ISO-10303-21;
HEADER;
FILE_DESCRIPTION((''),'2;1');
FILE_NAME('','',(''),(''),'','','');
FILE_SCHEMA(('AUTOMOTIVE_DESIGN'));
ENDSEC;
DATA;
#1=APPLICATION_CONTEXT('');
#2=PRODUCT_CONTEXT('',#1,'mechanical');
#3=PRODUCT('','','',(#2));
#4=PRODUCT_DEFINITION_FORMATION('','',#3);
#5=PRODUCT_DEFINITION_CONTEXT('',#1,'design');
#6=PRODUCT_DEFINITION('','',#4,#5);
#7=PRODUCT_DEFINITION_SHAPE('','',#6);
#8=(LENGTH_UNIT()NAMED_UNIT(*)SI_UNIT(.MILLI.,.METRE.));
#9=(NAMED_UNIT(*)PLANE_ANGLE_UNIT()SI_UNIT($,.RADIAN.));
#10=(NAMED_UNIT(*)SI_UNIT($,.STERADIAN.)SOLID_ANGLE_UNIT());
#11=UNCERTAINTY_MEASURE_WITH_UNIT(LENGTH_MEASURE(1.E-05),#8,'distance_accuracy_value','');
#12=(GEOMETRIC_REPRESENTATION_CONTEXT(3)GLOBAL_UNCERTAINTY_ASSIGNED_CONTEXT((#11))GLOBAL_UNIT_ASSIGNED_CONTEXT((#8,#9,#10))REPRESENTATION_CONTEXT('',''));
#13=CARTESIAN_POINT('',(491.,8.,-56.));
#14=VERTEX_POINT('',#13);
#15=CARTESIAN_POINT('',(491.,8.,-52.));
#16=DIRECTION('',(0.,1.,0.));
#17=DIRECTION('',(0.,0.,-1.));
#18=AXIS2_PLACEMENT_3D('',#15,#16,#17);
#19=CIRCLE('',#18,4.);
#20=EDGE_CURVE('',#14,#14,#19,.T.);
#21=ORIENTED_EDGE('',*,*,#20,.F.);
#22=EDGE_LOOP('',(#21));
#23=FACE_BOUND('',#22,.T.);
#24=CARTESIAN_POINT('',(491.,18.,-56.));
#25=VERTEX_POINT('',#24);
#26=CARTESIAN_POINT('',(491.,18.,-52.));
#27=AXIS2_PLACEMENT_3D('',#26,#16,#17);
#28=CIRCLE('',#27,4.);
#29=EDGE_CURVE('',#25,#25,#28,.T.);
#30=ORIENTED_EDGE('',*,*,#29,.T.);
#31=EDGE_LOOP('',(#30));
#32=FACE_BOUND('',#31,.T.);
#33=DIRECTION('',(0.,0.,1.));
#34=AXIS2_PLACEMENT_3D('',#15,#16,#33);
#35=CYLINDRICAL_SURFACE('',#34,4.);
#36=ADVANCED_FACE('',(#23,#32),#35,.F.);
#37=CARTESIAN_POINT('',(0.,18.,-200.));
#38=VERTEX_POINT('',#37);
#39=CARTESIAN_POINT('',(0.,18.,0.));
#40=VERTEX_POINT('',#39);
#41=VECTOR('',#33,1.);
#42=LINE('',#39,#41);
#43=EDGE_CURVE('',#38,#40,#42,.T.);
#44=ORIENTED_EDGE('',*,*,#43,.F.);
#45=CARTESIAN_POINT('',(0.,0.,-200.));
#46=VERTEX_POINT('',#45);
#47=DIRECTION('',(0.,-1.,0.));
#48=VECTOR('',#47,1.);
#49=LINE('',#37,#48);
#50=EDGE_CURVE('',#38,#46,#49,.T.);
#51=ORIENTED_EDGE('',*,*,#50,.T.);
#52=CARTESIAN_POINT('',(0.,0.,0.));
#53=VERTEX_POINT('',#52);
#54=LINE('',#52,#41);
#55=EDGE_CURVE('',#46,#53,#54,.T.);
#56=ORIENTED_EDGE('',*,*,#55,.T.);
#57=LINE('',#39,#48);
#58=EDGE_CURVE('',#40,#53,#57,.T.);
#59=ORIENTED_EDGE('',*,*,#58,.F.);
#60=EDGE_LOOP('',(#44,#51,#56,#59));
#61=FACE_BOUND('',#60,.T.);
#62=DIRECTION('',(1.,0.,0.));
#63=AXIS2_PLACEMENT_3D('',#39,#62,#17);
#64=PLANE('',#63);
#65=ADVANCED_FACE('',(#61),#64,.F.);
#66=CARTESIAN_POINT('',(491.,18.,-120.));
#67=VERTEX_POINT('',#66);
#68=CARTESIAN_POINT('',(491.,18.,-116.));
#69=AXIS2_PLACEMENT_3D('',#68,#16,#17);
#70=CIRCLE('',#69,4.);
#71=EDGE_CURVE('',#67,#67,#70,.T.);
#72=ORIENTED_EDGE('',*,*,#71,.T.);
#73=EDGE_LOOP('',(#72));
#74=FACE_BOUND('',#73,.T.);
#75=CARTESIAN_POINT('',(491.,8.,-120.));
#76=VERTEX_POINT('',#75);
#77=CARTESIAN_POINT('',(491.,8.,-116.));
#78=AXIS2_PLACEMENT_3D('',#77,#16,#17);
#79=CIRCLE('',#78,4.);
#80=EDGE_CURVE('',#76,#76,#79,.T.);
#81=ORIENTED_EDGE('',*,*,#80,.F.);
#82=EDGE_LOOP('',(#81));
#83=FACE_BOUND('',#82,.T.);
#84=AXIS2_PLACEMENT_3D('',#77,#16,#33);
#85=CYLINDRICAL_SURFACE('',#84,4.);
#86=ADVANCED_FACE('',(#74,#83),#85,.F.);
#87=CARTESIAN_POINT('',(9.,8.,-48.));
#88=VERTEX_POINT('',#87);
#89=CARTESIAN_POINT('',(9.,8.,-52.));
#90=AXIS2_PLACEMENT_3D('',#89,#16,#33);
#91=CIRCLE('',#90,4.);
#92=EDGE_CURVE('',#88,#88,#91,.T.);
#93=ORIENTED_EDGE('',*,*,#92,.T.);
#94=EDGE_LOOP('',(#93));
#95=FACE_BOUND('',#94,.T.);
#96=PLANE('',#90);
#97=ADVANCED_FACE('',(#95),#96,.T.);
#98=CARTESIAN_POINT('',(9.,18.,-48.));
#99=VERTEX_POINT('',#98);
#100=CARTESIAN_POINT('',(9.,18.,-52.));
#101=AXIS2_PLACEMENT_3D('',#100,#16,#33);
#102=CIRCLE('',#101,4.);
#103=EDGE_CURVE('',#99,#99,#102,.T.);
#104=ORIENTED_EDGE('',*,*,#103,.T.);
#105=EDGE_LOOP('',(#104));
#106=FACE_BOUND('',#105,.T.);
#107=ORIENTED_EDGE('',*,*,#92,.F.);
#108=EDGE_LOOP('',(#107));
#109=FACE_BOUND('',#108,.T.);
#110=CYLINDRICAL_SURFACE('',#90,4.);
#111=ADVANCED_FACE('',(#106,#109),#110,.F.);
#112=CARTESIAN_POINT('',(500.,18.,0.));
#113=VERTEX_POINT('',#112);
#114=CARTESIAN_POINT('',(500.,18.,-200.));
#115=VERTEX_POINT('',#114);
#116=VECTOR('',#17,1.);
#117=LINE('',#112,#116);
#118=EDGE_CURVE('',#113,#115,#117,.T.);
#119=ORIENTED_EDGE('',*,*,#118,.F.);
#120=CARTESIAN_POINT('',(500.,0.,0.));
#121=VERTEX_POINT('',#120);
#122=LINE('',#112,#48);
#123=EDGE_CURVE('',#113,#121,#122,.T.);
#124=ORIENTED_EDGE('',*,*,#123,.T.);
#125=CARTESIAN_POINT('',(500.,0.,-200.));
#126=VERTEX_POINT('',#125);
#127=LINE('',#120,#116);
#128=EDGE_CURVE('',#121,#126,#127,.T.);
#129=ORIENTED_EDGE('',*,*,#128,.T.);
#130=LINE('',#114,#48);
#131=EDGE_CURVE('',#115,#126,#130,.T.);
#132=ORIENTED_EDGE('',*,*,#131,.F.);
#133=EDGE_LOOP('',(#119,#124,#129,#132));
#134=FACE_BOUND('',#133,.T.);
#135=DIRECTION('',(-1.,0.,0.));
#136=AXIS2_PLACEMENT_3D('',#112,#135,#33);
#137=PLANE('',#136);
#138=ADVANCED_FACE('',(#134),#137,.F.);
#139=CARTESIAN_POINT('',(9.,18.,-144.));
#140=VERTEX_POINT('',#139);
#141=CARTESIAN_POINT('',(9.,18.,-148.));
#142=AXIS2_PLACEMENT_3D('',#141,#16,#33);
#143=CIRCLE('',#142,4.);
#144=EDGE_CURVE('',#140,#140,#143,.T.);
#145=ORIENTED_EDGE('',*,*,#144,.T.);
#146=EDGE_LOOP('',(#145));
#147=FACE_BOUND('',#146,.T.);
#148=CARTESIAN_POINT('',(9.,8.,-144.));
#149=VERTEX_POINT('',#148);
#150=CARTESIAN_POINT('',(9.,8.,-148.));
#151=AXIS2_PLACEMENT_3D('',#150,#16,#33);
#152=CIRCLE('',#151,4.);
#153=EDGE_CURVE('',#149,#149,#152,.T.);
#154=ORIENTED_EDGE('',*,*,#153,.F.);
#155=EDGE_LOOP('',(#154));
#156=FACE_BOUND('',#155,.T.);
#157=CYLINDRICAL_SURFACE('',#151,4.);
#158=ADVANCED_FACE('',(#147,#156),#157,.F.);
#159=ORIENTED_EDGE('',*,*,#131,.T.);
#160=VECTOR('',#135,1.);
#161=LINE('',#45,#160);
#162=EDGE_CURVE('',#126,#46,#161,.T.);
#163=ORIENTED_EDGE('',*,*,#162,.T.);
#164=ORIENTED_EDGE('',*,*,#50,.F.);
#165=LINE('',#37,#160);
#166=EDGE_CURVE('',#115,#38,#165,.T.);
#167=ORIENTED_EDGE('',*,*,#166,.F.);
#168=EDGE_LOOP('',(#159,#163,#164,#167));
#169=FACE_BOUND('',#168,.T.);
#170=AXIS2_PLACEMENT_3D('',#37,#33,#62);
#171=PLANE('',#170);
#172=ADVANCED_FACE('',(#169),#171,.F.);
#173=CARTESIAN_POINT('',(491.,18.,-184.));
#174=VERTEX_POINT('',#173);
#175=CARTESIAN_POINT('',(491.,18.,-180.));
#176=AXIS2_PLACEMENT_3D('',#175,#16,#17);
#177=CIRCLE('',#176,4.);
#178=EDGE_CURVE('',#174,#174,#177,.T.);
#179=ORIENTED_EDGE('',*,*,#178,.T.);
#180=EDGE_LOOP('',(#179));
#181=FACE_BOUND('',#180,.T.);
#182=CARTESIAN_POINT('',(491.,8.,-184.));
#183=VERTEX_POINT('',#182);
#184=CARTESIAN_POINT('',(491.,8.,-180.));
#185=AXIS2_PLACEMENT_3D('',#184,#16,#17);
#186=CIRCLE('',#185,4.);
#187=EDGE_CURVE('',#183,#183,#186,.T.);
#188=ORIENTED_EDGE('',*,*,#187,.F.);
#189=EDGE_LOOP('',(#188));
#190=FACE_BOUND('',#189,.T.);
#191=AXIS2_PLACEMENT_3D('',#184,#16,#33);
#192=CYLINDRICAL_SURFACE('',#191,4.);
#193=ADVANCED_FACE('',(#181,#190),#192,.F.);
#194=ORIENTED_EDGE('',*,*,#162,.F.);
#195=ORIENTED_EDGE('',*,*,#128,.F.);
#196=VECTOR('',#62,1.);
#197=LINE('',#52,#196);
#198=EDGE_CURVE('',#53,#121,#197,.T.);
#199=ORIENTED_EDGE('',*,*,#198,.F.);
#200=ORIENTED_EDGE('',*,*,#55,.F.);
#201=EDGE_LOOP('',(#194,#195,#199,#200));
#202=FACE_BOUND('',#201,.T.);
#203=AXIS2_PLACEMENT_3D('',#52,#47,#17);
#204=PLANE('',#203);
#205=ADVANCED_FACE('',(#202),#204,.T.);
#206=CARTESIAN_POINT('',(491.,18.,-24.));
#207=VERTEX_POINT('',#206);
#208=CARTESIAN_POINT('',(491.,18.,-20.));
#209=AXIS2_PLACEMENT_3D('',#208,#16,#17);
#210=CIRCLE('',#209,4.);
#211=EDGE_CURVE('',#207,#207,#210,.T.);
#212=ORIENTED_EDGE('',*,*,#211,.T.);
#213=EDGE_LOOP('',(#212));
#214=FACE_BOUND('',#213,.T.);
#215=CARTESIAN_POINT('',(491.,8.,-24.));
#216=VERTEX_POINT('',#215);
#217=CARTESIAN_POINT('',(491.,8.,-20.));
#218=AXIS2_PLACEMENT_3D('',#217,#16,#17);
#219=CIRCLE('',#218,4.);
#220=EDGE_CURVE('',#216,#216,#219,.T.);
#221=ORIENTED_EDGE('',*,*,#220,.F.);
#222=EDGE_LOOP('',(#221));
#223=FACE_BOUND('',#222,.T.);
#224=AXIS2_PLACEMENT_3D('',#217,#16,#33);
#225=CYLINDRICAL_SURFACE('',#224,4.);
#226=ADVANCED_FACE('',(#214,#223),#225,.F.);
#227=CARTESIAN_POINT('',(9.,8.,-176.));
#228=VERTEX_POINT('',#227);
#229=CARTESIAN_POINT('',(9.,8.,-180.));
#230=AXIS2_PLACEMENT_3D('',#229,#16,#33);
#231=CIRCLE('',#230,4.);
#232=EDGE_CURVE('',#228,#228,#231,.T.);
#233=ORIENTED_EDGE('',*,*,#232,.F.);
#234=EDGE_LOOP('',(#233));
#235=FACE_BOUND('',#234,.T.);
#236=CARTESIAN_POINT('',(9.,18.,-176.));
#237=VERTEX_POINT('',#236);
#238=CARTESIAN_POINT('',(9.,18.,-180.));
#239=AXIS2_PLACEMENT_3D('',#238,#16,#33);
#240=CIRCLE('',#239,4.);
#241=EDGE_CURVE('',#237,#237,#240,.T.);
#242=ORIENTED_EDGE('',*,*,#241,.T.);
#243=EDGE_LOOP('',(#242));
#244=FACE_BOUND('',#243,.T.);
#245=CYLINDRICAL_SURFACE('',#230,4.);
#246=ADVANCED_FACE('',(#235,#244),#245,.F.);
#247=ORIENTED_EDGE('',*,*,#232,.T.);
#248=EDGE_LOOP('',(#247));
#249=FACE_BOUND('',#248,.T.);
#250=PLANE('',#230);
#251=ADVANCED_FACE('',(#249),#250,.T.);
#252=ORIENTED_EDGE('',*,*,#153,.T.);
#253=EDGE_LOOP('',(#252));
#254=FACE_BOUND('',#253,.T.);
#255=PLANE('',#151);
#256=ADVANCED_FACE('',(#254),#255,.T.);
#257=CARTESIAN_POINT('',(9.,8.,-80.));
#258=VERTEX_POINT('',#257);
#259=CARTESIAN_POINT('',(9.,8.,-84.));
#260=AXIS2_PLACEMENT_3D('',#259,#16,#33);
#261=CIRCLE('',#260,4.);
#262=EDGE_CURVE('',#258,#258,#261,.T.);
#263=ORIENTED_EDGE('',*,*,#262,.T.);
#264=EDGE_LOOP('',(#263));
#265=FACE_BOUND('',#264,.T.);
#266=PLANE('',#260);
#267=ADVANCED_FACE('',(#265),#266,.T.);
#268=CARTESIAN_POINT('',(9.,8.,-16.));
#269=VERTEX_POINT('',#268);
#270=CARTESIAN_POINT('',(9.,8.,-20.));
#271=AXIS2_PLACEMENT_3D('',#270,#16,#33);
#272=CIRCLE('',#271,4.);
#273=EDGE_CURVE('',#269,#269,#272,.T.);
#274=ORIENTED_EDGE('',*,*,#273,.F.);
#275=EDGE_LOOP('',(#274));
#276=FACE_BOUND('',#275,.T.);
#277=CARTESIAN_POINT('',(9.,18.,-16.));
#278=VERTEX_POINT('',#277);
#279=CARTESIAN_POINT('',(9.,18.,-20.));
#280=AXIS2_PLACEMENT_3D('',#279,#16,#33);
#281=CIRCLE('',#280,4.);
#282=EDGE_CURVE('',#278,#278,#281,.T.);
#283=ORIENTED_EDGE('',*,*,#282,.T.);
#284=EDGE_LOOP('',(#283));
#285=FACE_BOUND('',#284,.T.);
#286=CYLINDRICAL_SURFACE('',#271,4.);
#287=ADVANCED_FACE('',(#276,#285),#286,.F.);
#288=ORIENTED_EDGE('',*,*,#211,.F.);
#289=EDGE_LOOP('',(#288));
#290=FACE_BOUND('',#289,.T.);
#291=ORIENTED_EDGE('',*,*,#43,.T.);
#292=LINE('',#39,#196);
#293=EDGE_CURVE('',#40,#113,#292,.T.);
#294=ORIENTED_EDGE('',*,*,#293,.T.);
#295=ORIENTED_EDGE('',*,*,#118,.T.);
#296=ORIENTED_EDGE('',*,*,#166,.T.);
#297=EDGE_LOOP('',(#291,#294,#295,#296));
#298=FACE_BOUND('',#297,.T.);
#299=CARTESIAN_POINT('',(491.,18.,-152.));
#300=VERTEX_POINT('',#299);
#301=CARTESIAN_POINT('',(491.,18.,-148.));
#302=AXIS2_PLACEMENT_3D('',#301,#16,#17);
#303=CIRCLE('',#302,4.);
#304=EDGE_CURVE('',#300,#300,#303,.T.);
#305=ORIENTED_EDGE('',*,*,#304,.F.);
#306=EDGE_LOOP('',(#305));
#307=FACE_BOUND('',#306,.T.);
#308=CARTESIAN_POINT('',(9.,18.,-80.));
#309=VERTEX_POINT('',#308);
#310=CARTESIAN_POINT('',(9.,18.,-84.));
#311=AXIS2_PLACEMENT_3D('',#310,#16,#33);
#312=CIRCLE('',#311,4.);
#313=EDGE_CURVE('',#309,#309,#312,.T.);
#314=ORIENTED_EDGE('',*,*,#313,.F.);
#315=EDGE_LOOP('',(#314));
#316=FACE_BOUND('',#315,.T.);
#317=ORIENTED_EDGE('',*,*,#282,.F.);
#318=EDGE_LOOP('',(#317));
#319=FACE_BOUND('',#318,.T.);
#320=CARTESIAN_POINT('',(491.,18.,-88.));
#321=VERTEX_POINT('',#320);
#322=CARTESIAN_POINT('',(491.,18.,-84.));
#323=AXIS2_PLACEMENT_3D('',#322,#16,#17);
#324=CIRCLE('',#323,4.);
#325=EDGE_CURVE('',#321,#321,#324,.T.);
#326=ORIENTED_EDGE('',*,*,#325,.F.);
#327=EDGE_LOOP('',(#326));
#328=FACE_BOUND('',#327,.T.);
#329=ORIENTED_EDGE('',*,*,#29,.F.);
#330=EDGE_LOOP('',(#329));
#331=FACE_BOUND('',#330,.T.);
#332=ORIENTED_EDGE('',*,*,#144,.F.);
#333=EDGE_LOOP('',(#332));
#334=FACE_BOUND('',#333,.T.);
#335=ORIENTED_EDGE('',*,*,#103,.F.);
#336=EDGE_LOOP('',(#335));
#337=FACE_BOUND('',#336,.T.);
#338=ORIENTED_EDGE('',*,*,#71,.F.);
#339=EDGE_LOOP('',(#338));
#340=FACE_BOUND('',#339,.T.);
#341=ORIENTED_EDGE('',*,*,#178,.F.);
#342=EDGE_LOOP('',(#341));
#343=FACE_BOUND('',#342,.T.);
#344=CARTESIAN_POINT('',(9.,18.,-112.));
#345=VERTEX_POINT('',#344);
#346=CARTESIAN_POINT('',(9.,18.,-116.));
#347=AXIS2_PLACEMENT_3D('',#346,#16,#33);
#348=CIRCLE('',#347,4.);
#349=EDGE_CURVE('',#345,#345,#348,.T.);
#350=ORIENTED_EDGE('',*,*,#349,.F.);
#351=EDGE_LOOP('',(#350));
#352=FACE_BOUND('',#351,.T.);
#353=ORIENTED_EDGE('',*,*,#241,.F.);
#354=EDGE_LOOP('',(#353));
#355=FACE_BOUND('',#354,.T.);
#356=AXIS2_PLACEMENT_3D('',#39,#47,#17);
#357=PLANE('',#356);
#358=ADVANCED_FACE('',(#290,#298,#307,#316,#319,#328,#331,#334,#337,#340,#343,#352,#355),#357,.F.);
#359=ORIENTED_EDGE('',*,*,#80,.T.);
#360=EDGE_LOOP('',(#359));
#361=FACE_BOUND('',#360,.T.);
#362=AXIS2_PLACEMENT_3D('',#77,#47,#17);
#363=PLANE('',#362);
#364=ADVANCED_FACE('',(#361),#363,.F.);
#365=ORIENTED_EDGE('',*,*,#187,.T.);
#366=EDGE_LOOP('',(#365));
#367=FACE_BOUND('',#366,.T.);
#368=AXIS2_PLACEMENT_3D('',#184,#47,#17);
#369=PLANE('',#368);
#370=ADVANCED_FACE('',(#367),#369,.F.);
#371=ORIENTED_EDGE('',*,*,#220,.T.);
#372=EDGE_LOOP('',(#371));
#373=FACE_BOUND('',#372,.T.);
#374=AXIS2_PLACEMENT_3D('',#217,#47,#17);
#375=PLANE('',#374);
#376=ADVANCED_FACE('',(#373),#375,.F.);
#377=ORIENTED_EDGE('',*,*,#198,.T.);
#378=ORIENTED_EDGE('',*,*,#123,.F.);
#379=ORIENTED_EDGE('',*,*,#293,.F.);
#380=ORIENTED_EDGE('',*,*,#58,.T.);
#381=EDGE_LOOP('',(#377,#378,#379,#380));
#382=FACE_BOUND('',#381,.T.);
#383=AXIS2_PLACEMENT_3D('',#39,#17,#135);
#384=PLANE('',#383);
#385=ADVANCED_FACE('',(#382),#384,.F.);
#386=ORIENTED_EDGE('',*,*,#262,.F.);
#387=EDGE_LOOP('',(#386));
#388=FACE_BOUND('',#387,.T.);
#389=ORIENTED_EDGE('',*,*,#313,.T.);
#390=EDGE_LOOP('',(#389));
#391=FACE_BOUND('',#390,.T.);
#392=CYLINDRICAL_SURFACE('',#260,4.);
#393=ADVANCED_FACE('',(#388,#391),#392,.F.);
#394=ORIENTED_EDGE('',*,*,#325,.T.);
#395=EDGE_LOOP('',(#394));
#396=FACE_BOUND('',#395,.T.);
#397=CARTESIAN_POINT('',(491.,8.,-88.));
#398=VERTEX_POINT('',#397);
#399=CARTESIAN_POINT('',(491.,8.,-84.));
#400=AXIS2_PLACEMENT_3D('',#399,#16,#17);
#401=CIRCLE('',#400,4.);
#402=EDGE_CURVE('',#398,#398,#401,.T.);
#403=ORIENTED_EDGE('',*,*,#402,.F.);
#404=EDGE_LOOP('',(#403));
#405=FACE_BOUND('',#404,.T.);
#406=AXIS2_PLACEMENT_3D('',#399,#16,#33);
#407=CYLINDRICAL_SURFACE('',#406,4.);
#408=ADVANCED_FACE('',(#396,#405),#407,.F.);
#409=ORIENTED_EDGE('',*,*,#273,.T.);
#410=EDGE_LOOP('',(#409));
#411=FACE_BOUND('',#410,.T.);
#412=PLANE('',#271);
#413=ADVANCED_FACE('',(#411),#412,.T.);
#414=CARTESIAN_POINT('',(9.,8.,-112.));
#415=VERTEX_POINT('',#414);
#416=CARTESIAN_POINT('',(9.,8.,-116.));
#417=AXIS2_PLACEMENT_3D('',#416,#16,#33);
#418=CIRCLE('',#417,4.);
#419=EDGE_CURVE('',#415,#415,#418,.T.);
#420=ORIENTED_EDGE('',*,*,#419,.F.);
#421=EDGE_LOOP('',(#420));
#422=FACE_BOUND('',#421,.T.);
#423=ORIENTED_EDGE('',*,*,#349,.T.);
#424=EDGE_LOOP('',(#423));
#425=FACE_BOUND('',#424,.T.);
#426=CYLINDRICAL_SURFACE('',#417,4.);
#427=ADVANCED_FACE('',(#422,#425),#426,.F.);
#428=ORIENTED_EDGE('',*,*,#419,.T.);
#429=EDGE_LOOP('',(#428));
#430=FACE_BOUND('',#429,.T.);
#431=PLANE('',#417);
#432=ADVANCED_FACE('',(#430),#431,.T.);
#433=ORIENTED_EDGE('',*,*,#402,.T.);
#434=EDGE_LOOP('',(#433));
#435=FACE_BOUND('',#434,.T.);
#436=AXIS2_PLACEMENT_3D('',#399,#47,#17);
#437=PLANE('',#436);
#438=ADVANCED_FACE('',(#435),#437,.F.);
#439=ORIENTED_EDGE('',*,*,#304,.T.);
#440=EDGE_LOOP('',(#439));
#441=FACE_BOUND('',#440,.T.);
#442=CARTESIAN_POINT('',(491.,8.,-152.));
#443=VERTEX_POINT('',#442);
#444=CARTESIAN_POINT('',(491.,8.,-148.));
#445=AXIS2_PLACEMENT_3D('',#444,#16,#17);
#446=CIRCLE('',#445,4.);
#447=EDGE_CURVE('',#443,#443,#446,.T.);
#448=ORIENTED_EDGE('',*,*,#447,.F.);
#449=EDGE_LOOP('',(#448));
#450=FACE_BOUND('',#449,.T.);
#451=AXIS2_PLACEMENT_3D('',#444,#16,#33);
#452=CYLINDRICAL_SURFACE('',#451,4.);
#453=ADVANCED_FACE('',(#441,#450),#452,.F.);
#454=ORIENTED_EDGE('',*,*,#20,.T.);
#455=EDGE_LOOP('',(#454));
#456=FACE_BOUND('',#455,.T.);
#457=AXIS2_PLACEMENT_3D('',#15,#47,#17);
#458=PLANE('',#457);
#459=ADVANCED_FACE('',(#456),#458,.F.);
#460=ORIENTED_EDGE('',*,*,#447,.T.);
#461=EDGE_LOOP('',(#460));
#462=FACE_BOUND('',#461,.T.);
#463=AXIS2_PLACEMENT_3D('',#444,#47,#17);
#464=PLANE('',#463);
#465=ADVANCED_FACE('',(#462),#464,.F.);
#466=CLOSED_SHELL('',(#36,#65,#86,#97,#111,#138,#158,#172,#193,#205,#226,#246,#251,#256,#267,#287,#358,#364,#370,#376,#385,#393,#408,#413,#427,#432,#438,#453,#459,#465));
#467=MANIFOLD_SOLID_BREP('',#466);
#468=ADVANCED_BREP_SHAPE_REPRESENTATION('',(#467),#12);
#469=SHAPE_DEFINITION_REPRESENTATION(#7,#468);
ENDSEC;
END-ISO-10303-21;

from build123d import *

# Parameters (mm, degrees)
SKETCH1_W           = 500
SKETCH1_H           = 200
BOSS_EXTRUDE1_DEPTH = 18
SKETCH2_R           = 4
CUT_EXTRUDE1_DEPTH  = 10


with BuildPart() as part:
    # Sketch1 → Boss-Extrude1 (new body)
    with BuildSketch(Plane(origin=(0, 0, 0), x_dir=(1, 0, 0), z_dir=(0, 1, 0))):
        with Locations((250, 100)):
            Rectangle(SKETCH1_W, SKETCH1_H)
    extrude(amount=BOSS_EXTRUDE1_DEPTH)

    # Sketch2 → Cut-Extrude1 (cut)
    with BuildSketch(Plane(origin=(0, 18, 0), x_dir=(1, 0, 0), z_dir=(0, 1, 0))):
        with Locations(Location((9, 180, 0), (0, 0, 270))):
            Circle(SKETCH2_R)
        with Locations(Location((9, 148, 0), (0, 0, 270))):
            Circle(SKETCH2_R)
        with Locations(Location((9, 116, 0), (0, 0, 270))):
            Circle(SKETCH2_R)
        with Locations(Location((9, 84, 0), (0, 0, 270))):
            Circle(SKETCH2_R)
        with Locations(Location((9, 52, 0), (0, 0, 270))):
            Circle(SKETCH2_R)
        with Locations(Location((9, 20, 0), (0, 0, 270))):
            Circle(SKETCH2_R)
        with Locations(Location((491, 20, 0), (0, 0, 90))):
            Circle(SKETCH2_R)
        with Locations(Location((491, 52, 0), (0, 0, 90))):
            Circle(SKETCH2_R)
        with Locations(Location((491, 84, 0), (0, 0, 90))):
            Circle(SKETCH2_R)
        with Locations(Location((491, 116, 0), (0, 0, 90))):
            Circle(SKETCH2_R)
        with Locations(Location((491, 148, 0), (0, 0, 90))):
            Circle(SKETCH2_R)
        with Locations(Location((491, 180, 0), (0, 0, 90))):
            Circle(SKETCH2_R)
    extrude(amount=-CUT_EXTRUDE1_DEPTH, mode=Mode.SUBTRACT)


solid = part.part
